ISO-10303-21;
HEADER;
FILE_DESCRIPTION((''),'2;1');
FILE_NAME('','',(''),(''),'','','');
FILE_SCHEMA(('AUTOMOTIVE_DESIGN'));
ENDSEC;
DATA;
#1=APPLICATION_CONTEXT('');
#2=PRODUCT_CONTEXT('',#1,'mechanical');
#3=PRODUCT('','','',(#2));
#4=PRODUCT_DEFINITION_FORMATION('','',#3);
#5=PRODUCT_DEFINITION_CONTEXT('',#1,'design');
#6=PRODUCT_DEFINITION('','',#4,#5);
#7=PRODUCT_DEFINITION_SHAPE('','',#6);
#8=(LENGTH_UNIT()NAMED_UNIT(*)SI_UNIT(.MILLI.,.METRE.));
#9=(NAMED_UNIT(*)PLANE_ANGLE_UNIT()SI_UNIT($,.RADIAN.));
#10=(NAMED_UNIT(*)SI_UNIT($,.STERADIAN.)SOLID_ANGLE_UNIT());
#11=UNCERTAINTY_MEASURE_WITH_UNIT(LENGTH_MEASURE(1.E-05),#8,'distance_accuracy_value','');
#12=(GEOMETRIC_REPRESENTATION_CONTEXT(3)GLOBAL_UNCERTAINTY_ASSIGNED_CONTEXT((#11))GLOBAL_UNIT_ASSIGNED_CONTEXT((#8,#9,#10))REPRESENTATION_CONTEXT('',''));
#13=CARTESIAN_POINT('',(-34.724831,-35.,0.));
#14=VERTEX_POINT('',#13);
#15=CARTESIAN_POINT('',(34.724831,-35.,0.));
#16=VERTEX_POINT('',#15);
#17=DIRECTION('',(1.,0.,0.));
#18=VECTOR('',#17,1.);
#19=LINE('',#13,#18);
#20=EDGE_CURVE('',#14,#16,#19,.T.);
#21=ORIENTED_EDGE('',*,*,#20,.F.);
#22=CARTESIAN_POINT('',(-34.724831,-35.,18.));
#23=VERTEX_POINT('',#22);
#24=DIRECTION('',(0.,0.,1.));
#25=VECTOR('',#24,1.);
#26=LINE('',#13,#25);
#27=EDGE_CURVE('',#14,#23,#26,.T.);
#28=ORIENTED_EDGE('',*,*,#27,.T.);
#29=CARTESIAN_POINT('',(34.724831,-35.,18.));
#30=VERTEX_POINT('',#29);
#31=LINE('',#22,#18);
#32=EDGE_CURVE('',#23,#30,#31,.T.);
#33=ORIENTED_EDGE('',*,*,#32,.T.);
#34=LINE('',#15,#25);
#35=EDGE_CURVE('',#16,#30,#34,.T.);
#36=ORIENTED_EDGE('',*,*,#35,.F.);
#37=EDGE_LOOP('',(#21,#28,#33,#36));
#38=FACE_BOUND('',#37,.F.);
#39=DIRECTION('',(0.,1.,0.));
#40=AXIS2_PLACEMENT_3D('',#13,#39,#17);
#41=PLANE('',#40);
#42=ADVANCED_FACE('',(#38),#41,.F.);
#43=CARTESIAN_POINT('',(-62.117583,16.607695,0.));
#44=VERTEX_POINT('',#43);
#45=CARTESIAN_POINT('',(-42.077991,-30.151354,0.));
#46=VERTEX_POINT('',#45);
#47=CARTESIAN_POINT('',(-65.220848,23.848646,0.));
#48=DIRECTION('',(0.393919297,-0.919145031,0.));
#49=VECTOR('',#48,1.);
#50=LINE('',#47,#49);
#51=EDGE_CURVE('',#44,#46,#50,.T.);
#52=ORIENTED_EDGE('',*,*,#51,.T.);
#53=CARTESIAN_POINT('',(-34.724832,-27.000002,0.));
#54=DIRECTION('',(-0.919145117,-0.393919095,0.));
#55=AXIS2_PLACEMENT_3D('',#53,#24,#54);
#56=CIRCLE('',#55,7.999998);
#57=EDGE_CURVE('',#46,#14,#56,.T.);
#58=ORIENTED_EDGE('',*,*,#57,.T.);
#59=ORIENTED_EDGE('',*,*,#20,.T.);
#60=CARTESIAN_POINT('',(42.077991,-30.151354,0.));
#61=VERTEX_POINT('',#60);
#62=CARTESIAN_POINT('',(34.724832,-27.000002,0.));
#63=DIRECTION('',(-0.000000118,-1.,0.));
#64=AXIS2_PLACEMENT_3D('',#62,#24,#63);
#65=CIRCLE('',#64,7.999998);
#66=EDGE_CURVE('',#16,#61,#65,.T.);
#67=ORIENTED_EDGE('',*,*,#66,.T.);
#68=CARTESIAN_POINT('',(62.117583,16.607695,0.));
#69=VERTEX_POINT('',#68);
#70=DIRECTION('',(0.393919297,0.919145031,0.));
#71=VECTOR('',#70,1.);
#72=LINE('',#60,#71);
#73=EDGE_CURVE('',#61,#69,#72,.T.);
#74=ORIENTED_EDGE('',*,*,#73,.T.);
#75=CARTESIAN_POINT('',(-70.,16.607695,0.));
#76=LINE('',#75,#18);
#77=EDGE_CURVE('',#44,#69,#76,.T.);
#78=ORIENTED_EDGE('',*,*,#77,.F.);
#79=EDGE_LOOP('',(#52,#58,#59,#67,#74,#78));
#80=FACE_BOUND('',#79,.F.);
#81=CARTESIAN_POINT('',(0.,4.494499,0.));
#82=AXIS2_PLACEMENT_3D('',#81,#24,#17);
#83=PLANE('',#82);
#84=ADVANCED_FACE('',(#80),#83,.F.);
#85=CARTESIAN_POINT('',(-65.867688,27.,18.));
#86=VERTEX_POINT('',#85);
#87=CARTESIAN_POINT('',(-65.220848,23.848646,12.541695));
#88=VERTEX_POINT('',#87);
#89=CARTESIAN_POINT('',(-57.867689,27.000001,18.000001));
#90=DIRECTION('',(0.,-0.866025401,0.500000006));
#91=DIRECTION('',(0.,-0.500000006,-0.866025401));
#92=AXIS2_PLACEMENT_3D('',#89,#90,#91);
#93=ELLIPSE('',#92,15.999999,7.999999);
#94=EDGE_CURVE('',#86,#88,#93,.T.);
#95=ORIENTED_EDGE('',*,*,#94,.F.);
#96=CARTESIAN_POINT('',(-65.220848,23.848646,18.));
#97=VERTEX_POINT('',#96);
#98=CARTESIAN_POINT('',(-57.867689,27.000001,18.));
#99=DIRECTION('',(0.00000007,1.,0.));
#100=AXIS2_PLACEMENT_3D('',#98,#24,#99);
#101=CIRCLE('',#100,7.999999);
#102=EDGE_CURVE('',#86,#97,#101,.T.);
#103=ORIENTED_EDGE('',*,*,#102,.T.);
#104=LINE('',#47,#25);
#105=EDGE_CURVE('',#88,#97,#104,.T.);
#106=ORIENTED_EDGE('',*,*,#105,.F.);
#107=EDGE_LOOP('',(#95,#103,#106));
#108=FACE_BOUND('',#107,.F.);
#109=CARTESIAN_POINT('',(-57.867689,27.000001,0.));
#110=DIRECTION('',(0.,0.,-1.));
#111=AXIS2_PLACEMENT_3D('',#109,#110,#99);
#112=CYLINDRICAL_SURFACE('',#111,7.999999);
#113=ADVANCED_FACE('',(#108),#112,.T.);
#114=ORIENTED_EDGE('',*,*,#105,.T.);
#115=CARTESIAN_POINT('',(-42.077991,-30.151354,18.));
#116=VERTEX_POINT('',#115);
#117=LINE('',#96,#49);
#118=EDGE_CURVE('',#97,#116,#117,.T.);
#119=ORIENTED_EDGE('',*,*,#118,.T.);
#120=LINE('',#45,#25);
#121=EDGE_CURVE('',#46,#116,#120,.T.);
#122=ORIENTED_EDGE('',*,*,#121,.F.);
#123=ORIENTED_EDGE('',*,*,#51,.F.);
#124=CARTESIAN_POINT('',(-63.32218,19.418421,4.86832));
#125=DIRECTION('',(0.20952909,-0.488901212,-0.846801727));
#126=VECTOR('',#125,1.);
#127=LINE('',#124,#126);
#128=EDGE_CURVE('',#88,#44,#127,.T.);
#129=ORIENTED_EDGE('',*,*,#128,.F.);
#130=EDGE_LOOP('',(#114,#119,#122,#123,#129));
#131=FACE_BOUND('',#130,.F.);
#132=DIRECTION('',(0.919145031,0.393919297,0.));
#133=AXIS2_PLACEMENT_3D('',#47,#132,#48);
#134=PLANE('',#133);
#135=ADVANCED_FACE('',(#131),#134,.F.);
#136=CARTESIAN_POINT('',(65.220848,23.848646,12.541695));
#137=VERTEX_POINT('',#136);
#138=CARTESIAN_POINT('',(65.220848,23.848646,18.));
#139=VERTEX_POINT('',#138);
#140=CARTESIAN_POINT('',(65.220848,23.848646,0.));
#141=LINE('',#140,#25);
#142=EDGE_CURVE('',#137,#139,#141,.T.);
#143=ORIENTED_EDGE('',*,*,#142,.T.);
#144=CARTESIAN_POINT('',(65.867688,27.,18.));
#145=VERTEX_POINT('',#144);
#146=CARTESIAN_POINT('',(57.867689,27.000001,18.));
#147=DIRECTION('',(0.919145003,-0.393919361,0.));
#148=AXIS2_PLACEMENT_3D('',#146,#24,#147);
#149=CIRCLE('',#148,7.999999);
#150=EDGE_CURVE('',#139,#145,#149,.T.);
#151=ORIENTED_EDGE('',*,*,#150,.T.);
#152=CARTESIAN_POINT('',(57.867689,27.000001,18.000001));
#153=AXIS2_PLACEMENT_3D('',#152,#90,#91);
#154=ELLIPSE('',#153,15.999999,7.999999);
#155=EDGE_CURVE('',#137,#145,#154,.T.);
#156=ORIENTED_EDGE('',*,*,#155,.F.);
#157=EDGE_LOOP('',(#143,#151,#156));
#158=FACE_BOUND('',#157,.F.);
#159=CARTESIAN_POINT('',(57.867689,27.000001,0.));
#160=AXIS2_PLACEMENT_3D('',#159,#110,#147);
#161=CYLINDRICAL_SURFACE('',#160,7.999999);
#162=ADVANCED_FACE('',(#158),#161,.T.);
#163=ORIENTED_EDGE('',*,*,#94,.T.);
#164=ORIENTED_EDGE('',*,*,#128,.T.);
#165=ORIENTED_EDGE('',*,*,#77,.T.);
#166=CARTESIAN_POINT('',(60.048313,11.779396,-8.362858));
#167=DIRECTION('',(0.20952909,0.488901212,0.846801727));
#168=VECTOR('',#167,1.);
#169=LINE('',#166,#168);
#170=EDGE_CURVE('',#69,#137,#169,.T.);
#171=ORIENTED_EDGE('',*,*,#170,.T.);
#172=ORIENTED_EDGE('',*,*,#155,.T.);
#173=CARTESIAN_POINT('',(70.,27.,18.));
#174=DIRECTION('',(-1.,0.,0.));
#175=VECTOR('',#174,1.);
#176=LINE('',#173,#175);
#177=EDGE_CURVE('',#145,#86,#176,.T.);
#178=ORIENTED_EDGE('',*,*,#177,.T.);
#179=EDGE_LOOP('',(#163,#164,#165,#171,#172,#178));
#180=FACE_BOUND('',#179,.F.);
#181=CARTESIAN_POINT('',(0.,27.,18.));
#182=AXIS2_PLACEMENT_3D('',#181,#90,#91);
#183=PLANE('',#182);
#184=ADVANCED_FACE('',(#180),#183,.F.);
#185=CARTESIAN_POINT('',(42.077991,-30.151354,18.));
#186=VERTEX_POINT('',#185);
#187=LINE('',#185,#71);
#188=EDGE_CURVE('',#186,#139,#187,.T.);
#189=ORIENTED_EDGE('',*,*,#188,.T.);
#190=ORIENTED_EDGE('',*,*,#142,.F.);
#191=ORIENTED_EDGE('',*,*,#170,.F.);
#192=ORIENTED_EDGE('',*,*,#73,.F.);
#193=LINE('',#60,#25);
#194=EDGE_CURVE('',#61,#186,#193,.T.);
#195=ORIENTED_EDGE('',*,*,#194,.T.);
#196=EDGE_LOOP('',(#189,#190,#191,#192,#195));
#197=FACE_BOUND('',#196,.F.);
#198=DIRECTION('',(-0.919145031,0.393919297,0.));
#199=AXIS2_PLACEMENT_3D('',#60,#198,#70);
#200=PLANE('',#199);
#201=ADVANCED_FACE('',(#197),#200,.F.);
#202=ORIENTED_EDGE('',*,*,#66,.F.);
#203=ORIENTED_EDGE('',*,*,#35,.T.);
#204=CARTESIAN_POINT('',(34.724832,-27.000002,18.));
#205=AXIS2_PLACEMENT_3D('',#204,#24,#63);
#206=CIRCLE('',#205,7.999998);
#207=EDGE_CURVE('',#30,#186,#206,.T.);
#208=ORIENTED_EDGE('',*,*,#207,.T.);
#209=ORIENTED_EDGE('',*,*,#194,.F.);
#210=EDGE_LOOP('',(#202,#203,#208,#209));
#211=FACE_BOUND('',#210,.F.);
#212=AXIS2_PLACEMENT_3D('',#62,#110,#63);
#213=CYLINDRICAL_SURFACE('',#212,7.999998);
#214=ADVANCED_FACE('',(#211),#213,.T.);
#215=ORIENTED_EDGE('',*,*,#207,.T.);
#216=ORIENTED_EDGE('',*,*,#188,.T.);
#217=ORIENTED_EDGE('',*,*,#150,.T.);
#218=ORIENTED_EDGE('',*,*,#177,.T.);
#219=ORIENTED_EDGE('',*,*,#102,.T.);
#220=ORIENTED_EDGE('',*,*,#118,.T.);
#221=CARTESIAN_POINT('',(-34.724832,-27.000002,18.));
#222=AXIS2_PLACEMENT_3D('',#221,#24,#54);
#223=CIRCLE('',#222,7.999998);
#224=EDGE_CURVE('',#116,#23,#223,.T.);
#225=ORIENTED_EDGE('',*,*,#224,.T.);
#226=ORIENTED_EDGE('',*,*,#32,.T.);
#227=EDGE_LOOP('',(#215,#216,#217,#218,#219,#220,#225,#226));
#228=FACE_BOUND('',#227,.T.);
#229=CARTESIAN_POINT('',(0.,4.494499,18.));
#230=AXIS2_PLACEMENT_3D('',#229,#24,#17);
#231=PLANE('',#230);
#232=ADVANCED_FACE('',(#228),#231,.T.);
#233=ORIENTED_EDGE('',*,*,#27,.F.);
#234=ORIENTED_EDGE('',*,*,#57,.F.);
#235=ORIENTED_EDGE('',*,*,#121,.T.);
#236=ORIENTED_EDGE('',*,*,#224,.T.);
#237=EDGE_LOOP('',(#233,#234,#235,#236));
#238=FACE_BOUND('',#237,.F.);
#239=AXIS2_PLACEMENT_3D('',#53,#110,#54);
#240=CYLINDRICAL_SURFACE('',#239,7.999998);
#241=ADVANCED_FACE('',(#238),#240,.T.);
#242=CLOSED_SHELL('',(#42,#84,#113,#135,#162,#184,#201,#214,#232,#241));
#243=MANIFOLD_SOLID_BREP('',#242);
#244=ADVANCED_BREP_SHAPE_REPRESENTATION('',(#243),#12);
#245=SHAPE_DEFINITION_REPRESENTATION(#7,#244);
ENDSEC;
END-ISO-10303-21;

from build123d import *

# Parameters (mm, degrees)
F1_DEPTH = 18
F2_W     = 8
F2_H     = 18
F3_DEPTH = 70


with BuildPart() as f1:
    # F0 (on Top) → F1 (new body)
    with BuildSketch(Plane.XY):
        with BuildLine():
            Line((57.867688, 35), (-57.867688, 35))
            ThreePointArc((-57.867688, 35), (-64.546417, 31.403928), (-65.220848, 23.848646))
            Line((-65.220848, 23.848646), (-42.077991, -30.151354))
            ThreePointArc((-42.077991, -30.151354), (-39.128759, -33.678729), (-34.724831, -35))
            Line((-34.724831, -35), (34.724831, -35))
            ThreePointArc((34.724831, -35), (39.128759, -33.678729), (42.077991, -30.151354))
            Line((42.077991, -30.151354), (65.220848, 23.848646))
            ThreePointArc((65.220848, 23.848646), (64.546417, 31.403928), (57.867688, 35))
        make_face()
    extrude(amount=F1_DEPTH)

    # F2 (on Right) → F3 (cut, symmetric)
    with BuildSketch(Plane.YZ):
        Polygon((27, 18), (16.607695, 0), (27, 0), align=None)
        with Locations((31, 9)):
            Rectangle(F2_W, F2_H)
    extrude(amount=F3_DEPTH, both=True, mode=Mode.SUBTRACT)


solid = f1.part
